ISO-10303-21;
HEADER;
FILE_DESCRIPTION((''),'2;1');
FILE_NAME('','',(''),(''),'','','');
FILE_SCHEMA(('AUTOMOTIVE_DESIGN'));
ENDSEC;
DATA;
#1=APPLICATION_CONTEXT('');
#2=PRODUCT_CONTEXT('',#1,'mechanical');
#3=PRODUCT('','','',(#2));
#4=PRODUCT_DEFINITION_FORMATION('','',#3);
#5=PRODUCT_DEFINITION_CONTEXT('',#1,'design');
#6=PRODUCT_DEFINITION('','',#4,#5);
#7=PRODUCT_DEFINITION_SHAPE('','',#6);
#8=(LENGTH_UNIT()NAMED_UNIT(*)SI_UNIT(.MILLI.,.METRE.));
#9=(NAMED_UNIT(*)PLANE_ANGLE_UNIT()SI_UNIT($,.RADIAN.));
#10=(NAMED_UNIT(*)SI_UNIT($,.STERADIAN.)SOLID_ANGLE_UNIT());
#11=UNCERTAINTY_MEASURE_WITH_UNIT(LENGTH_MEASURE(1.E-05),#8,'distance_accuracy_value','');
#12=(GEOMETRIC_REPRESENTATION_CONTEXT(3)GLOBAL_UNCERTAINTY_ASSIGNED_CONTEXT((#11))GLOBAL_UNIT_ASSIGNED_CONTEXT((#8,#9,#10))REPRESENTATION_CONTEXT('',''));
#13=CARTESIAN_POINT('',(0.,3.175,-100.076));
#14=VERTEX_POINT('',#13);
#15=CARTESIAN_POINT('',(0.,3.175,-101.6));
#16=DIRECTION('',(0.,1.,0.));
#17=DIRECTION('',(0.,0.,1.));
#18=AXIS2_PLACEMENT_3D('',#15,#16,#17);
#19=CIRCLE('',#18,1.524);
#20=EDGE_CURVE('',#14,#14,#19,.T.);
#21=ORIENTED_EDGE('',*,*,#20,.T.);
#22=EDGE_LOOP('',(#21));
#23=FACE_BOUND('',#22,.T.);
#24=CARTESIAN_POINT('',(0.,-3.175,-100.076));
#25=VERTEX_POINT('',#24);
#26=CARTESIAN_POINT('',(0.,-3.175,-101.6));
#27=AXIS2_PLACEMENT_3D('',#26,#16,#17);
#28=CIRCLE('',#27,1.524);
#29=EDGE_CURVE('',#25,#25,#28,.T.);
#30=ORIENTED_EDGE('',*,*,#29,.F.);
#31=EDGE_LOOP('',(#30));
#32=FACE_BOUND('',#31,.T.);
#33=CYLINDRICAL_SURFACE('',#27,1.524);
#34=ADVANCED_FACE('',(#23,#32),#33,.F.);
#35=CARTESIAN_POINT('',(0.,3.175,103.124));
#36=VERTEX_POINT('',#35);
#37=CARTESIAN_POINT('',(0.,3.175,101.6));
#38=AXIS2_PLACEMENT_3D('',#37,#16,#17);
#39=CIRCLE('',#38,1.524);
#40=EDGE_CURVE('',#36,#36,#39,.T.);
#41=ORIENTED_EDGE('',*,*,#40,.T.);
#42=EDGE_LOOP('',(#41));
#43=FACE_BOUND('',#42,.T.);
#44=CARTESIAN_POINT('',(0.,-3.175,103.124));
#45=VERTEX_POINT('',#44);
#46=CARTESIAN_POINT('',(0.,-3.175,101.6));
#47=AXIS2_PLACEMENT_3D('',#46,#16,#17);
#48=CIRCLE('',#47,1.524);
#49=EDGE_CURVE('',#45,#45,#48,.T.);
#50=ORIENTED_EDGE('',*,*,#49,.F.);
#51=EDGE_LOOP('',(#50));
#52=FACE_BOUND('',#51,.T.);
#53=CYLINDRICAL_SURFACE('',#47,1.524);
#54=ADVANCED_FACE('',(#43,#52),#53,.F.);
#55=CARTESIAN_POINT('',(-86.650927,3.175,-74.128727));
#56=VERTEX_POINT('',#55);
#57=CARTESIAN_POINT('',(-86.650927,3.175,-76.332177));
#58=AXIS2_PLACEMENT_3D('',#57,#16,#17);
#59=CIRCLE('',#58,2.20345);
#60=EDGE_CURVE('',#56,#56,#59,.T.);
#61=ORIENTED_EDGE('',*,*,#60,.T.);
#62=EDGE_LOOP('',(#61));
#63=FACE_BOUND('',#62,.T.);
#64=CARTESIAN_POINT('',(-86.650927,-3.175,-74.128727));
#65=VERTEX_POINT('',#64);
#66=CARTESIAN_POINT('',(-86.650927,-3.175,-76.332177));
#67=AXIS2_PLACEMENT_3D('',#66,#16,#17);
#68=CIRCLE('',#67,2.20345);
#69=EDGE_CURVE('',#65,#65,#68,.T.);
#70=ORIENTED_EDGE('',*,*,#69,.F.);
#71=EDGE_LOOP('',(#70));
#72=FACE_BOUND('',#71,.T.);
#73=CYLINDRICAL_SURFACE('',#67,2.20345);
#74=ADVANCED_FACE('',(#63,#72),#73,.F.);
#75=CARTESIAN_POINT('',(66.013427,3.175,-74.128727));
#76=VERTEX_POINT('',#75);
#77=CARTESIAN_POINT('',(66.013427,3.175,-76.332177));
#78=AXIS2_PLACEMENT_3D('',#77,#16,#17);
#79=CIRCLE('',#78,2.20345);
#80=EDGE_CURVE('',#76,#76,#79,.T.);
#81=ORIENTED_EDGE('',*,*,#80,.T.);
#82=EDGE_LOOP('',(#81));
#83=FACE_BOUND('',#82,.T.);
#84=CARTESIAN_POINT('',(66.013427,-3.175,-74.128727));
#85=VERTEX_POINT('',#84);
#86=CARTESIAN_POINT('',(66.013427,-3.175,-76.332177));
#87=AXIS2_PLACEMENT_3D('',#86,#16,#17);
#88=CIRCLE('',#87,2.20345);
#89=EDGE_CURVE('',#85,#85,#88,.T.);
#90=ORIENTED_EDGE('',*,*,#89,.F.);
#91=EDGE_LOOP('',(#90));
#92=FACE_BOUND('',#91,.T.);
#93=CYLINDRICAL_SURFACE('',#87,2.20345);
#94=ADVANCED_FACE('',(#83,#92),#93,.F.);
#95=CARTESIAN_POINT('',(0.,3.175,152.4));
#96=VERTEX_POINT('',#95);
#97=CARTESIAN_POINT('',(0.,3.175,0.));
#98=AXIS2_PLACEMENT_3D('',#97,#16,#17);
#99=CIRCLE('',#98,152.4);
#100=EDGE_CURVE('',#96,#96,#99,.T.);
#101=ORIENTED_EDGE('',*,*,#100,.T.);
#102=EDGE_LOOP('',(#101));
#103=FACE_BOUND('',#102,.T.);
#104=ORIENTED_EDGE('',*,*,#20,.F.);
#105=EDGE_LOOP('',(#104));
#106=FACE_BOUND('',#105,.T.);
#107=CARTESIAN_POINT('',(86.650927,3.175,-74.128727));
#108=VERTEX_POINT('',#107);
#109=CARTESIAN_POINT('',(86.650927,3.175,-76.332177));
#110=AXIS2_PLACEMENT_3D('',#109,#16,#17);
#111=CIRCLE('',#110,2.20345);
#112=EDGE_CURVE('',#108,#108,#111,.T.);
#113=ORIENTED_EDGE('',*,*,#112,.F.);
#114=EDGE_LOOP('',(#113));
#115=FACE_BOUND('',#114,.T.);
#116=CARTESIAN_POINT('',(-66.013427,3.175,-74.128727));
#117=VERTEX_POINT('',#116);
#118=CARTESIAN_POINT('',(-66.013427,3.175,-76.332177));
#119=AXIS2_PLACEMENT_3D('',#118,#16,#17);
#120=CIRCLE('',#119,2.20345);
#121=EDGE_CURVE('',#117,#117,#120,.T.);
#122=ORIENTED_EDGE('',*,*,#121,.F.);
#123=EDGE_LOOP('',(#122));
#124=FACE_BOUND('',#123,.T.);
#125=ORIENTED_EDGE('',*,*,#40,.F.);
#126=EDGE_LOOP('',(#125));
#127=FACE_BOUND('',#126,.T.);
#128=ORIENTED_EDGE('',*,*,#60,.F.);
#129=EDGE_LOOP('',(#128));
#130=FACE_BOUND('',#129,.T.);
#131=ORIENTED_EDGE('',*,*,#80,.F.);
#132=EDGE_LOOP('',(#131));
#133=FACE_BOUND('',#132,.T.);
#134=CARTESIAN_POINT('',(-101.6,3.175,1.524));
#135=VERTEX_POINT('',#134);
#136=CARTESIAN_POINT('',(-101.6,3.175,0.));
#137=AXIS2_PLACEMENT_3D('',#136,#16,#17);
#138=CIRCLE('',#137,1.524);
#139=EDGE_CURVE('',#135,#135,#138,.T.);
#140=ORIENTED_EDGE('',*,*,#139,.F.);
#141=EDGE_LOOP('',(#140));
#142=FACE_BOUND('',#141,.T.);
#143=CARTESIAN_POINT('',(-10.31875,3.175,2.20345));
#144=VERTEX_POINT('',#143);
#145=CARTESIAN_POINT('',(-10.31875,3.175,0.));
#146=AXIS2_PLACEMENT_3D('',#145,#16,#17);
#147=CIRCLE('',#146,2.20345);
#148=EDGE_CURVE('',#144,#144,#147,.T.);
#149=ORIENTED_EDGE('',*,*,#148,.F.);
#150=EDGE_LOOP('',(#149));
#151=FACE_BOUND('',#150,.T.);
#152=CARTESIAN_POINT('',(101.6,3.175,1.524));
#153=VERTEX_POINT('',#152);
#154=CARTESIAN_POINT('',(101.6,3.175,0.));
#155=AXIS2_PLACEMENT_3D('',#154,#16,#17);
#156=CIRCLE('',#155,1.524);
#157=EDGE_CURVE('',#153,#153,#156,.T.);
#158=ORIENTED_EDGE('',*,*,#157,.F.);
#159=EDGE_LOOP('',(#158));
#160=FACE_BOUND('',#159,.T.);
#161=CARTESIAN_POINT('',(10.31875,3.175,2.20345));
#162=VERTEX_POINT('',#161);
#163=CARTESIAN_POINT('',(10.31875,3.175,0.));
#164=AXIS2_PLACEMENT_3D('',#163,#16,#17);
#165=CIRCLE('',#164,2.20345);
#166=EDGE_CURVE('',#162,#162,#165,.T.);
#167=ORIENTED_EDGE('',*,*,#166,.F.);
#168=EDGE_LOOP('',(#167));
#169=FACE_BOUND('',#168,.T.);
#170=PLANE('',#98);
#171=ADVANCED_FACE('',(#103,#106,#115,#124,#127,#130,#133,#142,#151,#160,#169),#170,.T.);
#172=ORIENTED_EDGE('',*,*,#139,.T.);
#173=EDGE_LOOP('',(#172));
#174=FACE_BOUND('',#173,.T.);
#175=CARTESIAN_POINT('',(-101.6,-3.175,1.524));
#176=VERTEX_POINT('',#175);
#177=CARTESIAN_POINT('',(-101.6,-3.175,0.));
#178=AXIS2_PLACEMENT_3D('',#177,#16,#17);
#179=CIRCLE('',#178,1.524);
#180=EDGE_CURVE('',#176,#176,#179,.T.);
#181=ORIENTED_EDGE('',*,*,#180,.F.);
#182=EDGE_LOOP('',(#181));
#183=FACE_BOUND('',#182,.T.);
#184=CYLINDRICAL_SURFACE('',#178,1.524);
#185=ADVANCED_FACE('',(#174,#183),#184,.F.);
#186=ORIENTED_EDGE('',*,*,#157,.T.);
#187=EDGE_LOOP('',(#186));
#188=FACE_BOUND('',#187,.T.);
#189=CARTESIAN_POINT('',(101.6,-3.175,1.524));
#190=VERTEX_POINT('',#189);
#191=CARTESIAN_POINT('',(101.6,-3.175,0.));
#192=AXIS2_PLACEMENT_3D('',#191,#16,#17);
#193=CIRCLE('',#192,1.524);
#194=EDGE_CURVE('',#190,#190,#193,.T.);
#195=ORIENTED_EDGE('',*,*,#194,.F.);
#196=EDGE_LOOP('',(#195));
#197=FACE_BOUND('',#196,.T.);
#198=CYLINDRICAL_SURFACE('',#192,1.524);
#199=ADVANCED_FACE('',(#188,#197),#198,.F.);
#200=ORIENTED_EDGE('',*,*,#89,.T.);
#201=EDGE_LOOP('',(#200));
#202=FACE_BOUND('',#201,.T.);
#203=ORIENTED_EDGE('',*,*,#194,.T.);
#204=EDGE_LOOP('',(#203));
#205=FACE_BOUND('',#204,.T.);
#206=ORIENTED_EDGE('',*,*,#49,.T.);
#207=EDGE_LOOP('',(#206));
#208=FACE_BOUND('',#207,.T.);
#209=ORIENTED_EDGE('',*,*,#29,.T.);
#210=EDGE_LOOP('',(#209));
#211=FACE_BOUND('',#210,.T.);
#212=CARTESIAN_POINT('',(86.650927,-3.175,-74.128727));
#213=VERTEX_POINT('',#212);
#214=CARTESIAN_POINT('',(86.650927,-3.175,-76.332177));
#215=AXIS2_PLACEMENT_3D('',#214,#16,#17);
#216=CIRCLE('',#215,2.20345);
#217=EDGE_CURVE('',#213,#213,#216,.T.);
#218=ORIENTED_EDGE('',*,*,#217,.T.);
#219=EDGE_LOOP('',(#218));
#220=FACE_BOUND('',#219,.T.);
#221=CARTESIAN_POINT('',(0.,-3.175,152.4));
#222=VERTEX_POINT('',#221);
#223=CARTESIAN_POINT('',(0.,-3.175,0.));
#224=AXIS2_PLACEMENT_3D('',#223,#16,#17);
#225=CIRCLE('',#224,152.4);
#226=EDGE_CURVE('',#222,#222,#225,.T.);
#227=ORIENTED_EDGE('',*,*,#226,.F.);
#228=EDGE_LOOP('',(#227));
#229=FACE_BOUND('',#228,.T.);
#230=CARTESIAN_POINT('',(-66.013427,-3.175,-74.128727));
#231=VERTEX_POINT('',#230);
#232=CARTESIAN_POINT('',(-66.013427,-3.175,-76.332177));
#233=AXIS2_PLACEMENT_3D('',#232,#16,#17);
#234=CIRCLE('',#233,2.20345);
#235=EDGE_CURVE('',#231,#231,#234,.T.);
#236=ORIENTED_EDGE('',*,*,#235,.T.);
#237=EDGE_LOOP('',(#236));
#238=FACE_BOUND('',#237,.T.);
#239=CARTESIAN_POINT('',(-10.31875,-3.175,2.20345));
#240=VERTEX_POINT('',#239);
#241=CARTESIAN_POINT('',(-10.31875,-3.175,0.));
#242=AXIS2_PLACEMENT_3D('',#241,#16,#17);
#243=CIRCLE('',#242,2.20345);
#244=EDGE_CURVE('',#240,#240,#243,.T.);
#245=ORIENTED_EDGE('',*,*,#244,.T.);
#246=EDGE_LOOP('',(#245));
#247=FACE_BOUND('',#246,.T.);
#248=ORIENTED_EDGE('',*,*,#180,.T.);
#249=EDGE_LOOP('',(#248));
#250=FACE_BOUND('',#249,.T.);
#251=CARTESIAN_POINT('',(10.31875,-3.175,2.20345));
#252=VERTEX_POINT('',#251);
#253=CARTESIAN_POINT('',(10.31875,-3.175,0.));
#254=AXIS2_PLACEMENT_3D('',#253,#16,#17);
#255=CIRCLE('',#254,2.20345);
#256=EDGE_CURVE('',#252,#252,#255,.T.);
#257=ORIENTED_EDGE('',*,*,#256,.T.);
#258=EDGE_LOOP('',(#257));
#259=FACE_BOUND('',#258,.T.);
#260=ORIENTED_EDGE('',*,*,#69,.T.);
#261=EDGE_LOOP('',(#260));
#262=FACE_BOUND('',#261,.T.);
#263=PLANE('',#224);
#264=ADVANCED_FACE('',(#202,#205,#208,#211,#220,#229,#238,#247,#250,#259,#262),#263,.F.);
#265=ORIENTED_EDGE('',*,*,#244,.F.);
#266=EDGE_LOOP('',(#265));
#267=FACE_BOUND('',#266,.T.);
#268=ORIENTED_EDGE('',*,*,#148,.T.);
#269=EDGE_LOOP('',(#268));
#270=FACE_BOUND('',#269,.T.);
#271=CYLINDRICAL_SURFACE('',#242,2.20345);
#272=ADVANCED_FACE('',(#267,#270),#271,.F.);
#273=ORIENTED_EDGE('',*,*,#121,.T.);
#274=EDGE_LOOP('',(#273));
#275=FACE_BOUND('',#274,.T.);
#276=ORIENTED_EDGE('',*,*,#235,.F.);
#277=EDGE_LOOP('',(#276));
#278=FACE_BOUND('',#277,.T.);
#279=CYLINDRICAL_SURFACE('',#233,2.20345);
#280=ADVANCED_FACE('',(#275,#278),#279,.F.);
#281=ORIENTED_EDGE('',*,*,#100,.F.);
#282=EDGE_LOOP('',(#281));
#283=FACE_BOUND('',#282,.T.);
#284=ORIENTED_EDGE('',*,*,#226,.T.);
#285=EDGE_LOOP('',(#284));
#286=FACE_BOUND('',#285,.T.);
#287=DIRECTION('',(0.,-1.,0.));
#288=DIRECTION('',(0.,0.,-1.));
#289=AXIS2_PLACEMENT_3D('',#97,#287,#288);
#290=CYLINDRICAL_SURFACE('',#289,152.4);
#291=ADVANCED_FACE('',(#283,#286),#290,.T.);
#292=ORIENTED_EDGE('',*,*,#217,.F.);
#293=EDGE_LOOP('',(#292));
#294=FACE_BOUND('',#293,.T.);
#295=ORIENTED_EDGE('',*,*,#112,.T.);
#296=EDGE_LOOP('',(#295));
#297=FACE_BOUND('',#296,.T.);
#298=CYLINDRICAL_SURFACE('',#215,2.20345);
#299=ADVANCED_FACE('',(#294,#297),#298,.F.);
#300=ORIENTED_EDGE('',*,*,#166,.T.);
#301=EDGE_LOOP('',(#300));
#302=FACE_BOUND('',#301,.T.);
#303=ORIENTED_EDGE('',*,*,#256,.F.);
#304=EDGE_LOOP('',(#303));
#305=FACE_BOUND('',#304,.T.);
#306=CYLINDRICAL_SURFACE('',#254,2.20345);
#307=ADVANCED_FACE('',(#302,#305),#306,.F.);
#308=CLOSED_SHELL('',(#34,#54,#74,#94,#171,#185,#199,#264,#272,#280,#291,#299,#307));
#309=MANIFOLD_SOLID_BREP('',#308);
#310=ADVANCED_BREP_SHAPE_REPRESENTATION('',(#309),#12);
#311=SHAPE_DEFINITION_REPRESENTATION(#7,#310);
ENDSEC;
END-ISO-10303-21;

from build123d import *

# Parameters (mm, degrees)
SKETCH1_R           = 152.4
BOSS_EXTRUDE1_DEPTH = 3.175
SKETCH3_R           = 2.20345
CUT_EXTRUDE1_DEPTH  = 216.619670949
SKETCH5_R           = 1.524
CUT_EXTRUDE3_DEPTH  = 216.619670949


with BuildPart() as part:
    # Sketch1 → Boss-Extrude1 (new, symmetric)
    with BuildSketch(Plane(origin=(0, 0, 0), x_dir=(1, 0, 0), z_dir=(0, 1, 0))):
        with Locations(Location((0, 0, 0), (0, 0, 270))):
            Circle(SKETCH1_R)
    extrude(amount=BOSS_EXTRUDE1_DEPTH, both=True)

    # Sketch3 → Cut-Extrude1 (cut, through all)
    with BuildSketch(Plane(origin=(0, 3.175, 0), x_dir=(1, 0, 0), z_dir=(0, 1, 0))):
        with Locations(Location((-10.31875, 0, 0), (0, 0, 270))):
            Circle(SKETCH3_R)
        with Locations(Location((10.31875, 0, 0), (0, 0, 270))):
            Circle(SKETCH3_R)
        with Locations(Location((66.013427029, 76.332177029, 0), (0, 0, 270))):
            Circle(SKETCH3_R)
        with Locations(Location((86.650927029, 76.332177029, 0), (0, 0, 270))):
            Circle(SKETCH3_R)
        with Locations(Location((-86.650927029, 76.332177029, 0), (0, 0, 270))):
            Circle(SKETCH3_R)
        with Locations(Location((-66.013427029, 76.332177029, 0), (0, 0, 270))):
            Circle(SKETCH3_R)
    extrude(amount=-CUT_EXTRUDE1_DEPTH, mode=Mode.SUBTRACT)

    # Sketch5 → Cut-Extrude3 (cut, through all)
    with BuildSketch(Plane(origin=(0, 3.175, 0), x_dir=(1, 0, 0), z_dir=(0, 1, 0))):
        with Locations(Location((-101.6, 0, 0), (0, 0, 270))):
            Circle(SKETCH5_R)
        with Locations(Location((0, 101.6, 0), (0, 0, 270))):
            Circle(SKETCH5_R)
        with Locations(Location((101.6, 0, 0), (0, 0, 270))):
            Circle(SKETCH5_R)
        with Locations(Location((0, -101.6, 0), (0, 0, 270))):
            Circle(SKETCH5_R)
    extrude(amount=-CUT_EXTRUDE3_DEPTH, mode=Mode.SUBTRACT)


solid = part.part
